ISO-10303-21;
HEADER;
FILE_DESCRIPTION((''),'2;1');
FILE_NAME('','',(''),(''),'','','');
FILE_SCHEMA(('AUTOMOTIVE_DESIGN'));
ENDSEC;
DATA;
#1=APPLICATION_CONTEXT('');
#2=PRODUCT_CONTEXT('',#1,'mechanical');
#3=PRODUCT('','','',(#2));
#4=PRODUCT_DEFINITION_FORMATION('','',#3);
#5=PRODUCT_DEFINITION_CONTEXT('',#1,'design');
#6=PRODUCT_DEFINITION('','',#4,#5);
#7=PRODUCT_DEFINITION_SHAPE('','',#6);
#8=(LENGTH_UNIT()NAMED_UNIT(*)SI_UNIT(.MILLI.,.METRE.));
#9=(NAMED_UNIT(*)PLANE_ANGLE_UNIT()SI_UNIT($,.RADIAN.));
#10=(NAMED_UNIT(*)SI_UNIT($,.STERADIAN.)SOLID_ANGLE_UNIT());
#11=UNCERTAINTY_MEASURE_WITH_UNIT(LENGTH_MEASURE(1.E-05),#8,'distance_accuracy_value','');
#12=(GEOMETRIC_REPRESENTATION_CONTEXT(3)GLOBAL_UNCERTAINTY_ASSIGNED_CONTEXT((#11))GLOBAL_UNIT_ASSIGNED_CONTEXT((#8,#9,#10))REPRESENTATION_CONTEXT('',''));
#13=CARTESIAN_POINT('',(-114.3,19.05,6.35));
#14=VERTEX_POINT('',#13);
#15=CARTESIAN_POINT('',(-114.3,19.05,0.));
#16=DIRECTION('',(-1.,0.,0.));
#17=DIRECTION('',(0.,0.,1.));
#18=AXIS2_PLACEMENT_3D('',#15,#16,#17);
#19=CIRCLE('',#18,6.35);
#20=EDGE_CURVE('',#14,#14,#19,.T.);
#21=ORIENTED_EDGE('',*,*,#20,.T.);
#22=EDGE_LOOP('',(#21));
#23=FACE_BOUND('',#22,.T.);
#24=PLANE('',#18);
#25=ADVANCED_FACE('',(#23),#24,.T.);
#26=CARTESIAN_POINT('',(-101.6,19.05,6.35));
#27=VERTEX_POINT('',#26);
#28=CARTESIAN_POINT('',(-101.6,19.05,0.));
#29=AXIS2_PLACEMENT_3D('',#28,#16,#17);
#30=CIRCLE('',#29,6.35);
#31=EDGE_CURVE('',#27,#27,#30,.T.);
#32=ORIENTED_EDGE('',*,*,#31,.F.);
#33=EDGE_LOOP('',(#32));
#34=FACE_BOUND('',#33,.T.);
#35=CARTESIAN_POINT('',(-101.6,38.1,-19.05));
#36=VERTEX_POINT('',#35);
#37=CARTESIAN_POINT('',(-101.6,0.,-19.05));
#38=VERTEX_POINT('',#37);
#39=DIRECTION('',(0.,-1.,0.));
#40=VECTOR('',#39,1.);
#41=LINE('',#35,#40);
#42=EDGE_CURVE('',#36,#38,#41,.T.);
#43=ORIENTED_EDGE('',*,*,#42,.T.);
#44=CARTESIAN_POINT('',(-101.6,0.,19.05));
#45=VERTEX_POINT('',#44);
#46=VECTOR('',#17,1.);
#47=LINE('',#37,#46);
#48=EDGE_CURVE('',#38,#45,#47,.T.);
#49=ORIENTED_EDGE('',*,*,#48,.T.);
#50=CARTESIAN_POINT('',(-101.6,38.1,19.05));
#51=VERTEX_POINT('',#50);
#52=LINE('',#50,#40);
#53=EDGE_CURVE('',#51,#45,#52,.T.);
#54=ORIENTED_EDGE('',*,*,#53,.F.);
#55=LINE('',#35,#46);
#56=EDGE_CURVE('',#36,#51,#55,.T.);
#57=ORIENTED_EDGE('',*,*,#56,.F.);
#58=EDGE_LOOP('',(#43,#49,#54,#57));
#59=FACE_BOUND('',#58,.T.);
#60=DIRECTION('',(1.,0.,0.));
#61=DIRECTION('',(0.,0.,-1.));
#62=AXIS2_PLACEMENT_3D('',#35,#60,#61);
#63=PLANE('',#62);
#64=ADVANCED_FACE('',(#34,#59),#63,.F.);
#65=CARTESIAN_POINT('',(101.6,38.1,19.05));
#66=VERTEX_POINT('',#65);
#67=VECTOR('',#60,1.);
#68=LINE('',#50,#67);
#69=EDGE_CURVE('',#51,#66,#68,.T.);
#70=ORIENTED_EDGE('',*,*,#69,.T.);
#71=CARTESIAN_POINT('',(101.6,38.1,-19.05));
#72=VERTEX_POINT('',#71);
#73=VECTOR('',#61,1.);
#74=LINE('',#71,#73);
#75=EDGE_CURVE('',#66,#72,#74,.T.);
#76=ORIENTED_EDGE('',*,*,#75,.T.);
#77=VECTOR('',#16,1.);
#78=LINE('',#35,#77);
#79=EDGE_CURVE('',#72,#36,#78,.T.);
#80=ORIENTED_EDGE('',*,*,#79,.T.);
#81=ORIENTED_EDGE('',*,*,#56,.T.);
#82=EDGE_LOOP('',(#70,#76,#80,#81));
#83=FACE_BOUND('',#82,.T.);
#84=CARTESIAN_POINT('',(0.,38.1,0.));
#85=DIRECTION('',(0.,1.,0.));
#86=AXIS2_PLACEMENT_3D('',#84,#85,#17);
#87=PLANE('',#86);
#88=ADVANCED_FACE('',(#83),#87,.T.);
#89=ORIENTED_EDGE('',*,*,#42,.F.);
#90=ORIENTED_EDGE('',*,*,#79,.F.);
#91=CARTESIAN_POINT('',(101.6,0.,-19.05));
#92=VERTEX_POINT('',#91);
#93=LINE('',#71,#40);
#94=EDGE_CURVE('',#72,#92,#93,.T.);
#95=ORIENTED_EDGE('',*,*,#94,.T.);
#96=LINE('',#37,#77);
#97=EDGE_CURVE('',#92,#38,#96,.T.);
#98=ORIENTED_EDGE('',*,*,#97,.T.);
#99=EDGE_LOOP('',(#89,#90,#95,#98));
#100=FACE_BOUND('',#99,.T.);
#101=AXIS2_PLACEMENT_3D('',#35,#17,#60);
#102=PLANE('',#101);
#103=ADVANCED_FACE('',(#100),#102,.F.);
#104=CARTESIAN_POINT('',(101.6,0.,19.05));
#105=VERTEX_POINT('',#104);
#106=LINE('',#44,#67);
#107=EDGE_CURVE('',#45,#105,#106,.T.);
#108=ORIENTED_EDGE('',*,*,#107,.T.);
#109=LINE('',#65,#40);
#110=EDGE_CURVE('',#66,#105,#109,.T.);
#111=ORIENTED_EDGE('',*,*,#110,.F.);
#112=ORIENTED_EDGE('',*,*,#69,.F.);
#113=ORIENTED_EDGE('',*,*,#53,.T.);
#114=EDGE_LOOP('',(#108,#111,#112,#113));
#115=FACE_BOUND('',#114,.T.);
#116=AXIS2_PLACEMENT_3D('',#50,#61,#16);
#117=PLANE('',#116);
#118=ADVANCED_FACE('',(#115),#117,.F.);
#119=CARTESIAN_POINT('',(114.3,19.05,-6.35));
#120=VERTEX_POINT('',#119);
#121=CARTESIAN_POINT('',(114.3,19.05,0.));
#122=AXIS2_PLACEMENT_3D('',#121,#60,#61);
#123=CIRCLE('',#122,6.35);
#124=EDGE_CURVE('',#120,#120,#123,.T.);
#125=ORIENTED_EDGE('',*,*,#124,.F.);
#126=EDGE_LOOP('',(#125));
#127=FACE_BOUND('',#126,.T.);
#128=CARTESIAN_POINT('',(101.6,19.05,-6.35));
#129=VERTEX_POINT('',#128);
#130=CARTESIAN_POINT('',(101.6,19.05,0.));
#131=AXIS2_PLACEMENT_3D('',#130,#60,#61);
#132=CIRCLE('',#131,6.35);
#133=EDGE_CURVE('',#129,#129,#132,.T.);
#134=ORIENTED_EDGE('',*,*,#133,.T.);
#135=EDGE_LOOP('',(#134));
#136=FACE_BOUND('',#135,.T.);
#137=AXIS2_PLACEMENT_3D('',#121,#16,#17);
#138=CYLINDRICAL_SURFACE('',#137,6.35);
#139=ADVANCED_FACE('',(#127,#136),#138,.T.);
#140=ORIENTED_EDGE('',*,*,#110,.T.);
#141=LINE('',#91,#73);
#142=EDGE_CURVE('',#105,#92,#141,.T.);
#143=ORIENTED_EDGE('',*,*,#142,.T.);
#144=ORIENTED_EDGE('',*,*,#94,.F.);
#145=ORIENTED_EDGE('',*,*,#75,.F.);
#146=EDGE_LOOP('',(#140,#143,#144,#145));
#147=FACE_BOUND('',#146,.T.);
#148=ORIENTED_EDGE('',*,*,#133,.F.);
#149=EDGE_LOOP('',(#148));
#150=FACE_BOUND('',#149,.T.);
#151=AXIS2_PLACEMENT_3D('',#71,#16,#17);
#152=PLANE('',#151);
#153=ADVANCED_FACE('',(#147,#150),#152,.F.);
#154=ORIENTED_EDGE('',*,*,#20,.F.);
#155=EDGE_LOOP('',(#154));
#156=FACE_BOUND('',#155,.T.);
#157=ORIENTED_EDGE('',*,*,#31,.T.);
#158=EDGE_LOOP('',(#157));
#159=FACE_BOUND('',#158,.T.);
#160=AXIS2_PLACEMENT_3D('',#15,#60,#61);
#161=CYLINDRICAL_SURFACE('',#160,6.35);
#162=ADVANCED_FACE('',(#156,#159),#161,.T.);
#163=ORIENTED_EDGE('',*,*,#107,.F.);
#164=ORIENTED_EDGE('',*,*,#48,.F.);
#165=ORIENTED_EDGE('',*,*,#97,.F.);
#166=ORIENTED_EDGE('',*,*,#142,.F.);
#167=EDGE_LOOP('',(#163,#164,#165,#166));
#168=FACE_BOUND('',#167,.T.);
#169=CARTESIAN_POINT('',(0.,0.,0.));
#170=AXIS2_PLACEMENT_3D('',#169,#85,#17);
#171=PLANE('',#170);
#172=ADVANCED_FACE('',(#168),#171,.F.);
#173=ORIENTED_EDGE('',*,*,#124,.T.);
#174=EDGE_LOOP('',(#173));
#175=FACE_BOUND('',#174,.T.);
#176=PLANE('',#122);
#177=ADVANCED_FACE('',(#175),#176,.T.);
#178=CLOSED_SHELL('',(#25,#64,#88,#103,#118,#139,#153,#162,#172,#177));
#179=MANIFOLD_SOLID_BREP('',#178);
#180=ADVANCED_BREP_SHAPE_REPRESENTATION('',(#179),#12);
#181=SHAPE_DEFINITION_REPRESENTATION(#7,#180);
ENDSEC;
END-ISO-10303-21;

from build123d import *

# Parameters (mm, degrees)
CROQUIS1_W              = 203.2
CROQUIS1_H              = 38.1
SALIENTE_EXTRUIR2_DEPTH = 38.1
CROQUIS2_R              = 6.35
SALIENTE_EXTRUIR3_DEPTH = 12.7
CROQUIS3_R              = 6.35
SALIENTE_EXTRUIR4_DEPTH = 12.7


with BuildPart() as part:
    # Croquis1 → Saliente-Extruir2 (new body)
    with BuildSketch(Plane(origin=(0, 0, 0), x_dir=(1, 0, 0), z_dir=(0, 1, 0))):
        Rectangle(CROQUIS1_W, CROQUIS1_H)
    extrude(amount=SALIENTE_EXTRUIR2_DEPTH)

    # Croquis2 → Saliente-Extruir3 (add)
    with BuildSketch(Plane(origin=(101.6, 0, 0), x_dir=(0, 0, -1), z_dir=(1, 0, 0))):
        with Locations((0, 19.05)):
            Circle(CROQUIS2_R)
    extrude(amount=SALIENTE_EXTRUIR3_DEPTH)

    # Croquis3 → Saliente-Extruir4 (add)
    with BuildSketch(Plane.ZY.offset(101.6)):
        with Locations((0, 19.05)):
            Circle(CROQUIS3_R)
    extrude(amount=SALIENTE_EXTRUIR4_DEPTH)


solid = part.part
